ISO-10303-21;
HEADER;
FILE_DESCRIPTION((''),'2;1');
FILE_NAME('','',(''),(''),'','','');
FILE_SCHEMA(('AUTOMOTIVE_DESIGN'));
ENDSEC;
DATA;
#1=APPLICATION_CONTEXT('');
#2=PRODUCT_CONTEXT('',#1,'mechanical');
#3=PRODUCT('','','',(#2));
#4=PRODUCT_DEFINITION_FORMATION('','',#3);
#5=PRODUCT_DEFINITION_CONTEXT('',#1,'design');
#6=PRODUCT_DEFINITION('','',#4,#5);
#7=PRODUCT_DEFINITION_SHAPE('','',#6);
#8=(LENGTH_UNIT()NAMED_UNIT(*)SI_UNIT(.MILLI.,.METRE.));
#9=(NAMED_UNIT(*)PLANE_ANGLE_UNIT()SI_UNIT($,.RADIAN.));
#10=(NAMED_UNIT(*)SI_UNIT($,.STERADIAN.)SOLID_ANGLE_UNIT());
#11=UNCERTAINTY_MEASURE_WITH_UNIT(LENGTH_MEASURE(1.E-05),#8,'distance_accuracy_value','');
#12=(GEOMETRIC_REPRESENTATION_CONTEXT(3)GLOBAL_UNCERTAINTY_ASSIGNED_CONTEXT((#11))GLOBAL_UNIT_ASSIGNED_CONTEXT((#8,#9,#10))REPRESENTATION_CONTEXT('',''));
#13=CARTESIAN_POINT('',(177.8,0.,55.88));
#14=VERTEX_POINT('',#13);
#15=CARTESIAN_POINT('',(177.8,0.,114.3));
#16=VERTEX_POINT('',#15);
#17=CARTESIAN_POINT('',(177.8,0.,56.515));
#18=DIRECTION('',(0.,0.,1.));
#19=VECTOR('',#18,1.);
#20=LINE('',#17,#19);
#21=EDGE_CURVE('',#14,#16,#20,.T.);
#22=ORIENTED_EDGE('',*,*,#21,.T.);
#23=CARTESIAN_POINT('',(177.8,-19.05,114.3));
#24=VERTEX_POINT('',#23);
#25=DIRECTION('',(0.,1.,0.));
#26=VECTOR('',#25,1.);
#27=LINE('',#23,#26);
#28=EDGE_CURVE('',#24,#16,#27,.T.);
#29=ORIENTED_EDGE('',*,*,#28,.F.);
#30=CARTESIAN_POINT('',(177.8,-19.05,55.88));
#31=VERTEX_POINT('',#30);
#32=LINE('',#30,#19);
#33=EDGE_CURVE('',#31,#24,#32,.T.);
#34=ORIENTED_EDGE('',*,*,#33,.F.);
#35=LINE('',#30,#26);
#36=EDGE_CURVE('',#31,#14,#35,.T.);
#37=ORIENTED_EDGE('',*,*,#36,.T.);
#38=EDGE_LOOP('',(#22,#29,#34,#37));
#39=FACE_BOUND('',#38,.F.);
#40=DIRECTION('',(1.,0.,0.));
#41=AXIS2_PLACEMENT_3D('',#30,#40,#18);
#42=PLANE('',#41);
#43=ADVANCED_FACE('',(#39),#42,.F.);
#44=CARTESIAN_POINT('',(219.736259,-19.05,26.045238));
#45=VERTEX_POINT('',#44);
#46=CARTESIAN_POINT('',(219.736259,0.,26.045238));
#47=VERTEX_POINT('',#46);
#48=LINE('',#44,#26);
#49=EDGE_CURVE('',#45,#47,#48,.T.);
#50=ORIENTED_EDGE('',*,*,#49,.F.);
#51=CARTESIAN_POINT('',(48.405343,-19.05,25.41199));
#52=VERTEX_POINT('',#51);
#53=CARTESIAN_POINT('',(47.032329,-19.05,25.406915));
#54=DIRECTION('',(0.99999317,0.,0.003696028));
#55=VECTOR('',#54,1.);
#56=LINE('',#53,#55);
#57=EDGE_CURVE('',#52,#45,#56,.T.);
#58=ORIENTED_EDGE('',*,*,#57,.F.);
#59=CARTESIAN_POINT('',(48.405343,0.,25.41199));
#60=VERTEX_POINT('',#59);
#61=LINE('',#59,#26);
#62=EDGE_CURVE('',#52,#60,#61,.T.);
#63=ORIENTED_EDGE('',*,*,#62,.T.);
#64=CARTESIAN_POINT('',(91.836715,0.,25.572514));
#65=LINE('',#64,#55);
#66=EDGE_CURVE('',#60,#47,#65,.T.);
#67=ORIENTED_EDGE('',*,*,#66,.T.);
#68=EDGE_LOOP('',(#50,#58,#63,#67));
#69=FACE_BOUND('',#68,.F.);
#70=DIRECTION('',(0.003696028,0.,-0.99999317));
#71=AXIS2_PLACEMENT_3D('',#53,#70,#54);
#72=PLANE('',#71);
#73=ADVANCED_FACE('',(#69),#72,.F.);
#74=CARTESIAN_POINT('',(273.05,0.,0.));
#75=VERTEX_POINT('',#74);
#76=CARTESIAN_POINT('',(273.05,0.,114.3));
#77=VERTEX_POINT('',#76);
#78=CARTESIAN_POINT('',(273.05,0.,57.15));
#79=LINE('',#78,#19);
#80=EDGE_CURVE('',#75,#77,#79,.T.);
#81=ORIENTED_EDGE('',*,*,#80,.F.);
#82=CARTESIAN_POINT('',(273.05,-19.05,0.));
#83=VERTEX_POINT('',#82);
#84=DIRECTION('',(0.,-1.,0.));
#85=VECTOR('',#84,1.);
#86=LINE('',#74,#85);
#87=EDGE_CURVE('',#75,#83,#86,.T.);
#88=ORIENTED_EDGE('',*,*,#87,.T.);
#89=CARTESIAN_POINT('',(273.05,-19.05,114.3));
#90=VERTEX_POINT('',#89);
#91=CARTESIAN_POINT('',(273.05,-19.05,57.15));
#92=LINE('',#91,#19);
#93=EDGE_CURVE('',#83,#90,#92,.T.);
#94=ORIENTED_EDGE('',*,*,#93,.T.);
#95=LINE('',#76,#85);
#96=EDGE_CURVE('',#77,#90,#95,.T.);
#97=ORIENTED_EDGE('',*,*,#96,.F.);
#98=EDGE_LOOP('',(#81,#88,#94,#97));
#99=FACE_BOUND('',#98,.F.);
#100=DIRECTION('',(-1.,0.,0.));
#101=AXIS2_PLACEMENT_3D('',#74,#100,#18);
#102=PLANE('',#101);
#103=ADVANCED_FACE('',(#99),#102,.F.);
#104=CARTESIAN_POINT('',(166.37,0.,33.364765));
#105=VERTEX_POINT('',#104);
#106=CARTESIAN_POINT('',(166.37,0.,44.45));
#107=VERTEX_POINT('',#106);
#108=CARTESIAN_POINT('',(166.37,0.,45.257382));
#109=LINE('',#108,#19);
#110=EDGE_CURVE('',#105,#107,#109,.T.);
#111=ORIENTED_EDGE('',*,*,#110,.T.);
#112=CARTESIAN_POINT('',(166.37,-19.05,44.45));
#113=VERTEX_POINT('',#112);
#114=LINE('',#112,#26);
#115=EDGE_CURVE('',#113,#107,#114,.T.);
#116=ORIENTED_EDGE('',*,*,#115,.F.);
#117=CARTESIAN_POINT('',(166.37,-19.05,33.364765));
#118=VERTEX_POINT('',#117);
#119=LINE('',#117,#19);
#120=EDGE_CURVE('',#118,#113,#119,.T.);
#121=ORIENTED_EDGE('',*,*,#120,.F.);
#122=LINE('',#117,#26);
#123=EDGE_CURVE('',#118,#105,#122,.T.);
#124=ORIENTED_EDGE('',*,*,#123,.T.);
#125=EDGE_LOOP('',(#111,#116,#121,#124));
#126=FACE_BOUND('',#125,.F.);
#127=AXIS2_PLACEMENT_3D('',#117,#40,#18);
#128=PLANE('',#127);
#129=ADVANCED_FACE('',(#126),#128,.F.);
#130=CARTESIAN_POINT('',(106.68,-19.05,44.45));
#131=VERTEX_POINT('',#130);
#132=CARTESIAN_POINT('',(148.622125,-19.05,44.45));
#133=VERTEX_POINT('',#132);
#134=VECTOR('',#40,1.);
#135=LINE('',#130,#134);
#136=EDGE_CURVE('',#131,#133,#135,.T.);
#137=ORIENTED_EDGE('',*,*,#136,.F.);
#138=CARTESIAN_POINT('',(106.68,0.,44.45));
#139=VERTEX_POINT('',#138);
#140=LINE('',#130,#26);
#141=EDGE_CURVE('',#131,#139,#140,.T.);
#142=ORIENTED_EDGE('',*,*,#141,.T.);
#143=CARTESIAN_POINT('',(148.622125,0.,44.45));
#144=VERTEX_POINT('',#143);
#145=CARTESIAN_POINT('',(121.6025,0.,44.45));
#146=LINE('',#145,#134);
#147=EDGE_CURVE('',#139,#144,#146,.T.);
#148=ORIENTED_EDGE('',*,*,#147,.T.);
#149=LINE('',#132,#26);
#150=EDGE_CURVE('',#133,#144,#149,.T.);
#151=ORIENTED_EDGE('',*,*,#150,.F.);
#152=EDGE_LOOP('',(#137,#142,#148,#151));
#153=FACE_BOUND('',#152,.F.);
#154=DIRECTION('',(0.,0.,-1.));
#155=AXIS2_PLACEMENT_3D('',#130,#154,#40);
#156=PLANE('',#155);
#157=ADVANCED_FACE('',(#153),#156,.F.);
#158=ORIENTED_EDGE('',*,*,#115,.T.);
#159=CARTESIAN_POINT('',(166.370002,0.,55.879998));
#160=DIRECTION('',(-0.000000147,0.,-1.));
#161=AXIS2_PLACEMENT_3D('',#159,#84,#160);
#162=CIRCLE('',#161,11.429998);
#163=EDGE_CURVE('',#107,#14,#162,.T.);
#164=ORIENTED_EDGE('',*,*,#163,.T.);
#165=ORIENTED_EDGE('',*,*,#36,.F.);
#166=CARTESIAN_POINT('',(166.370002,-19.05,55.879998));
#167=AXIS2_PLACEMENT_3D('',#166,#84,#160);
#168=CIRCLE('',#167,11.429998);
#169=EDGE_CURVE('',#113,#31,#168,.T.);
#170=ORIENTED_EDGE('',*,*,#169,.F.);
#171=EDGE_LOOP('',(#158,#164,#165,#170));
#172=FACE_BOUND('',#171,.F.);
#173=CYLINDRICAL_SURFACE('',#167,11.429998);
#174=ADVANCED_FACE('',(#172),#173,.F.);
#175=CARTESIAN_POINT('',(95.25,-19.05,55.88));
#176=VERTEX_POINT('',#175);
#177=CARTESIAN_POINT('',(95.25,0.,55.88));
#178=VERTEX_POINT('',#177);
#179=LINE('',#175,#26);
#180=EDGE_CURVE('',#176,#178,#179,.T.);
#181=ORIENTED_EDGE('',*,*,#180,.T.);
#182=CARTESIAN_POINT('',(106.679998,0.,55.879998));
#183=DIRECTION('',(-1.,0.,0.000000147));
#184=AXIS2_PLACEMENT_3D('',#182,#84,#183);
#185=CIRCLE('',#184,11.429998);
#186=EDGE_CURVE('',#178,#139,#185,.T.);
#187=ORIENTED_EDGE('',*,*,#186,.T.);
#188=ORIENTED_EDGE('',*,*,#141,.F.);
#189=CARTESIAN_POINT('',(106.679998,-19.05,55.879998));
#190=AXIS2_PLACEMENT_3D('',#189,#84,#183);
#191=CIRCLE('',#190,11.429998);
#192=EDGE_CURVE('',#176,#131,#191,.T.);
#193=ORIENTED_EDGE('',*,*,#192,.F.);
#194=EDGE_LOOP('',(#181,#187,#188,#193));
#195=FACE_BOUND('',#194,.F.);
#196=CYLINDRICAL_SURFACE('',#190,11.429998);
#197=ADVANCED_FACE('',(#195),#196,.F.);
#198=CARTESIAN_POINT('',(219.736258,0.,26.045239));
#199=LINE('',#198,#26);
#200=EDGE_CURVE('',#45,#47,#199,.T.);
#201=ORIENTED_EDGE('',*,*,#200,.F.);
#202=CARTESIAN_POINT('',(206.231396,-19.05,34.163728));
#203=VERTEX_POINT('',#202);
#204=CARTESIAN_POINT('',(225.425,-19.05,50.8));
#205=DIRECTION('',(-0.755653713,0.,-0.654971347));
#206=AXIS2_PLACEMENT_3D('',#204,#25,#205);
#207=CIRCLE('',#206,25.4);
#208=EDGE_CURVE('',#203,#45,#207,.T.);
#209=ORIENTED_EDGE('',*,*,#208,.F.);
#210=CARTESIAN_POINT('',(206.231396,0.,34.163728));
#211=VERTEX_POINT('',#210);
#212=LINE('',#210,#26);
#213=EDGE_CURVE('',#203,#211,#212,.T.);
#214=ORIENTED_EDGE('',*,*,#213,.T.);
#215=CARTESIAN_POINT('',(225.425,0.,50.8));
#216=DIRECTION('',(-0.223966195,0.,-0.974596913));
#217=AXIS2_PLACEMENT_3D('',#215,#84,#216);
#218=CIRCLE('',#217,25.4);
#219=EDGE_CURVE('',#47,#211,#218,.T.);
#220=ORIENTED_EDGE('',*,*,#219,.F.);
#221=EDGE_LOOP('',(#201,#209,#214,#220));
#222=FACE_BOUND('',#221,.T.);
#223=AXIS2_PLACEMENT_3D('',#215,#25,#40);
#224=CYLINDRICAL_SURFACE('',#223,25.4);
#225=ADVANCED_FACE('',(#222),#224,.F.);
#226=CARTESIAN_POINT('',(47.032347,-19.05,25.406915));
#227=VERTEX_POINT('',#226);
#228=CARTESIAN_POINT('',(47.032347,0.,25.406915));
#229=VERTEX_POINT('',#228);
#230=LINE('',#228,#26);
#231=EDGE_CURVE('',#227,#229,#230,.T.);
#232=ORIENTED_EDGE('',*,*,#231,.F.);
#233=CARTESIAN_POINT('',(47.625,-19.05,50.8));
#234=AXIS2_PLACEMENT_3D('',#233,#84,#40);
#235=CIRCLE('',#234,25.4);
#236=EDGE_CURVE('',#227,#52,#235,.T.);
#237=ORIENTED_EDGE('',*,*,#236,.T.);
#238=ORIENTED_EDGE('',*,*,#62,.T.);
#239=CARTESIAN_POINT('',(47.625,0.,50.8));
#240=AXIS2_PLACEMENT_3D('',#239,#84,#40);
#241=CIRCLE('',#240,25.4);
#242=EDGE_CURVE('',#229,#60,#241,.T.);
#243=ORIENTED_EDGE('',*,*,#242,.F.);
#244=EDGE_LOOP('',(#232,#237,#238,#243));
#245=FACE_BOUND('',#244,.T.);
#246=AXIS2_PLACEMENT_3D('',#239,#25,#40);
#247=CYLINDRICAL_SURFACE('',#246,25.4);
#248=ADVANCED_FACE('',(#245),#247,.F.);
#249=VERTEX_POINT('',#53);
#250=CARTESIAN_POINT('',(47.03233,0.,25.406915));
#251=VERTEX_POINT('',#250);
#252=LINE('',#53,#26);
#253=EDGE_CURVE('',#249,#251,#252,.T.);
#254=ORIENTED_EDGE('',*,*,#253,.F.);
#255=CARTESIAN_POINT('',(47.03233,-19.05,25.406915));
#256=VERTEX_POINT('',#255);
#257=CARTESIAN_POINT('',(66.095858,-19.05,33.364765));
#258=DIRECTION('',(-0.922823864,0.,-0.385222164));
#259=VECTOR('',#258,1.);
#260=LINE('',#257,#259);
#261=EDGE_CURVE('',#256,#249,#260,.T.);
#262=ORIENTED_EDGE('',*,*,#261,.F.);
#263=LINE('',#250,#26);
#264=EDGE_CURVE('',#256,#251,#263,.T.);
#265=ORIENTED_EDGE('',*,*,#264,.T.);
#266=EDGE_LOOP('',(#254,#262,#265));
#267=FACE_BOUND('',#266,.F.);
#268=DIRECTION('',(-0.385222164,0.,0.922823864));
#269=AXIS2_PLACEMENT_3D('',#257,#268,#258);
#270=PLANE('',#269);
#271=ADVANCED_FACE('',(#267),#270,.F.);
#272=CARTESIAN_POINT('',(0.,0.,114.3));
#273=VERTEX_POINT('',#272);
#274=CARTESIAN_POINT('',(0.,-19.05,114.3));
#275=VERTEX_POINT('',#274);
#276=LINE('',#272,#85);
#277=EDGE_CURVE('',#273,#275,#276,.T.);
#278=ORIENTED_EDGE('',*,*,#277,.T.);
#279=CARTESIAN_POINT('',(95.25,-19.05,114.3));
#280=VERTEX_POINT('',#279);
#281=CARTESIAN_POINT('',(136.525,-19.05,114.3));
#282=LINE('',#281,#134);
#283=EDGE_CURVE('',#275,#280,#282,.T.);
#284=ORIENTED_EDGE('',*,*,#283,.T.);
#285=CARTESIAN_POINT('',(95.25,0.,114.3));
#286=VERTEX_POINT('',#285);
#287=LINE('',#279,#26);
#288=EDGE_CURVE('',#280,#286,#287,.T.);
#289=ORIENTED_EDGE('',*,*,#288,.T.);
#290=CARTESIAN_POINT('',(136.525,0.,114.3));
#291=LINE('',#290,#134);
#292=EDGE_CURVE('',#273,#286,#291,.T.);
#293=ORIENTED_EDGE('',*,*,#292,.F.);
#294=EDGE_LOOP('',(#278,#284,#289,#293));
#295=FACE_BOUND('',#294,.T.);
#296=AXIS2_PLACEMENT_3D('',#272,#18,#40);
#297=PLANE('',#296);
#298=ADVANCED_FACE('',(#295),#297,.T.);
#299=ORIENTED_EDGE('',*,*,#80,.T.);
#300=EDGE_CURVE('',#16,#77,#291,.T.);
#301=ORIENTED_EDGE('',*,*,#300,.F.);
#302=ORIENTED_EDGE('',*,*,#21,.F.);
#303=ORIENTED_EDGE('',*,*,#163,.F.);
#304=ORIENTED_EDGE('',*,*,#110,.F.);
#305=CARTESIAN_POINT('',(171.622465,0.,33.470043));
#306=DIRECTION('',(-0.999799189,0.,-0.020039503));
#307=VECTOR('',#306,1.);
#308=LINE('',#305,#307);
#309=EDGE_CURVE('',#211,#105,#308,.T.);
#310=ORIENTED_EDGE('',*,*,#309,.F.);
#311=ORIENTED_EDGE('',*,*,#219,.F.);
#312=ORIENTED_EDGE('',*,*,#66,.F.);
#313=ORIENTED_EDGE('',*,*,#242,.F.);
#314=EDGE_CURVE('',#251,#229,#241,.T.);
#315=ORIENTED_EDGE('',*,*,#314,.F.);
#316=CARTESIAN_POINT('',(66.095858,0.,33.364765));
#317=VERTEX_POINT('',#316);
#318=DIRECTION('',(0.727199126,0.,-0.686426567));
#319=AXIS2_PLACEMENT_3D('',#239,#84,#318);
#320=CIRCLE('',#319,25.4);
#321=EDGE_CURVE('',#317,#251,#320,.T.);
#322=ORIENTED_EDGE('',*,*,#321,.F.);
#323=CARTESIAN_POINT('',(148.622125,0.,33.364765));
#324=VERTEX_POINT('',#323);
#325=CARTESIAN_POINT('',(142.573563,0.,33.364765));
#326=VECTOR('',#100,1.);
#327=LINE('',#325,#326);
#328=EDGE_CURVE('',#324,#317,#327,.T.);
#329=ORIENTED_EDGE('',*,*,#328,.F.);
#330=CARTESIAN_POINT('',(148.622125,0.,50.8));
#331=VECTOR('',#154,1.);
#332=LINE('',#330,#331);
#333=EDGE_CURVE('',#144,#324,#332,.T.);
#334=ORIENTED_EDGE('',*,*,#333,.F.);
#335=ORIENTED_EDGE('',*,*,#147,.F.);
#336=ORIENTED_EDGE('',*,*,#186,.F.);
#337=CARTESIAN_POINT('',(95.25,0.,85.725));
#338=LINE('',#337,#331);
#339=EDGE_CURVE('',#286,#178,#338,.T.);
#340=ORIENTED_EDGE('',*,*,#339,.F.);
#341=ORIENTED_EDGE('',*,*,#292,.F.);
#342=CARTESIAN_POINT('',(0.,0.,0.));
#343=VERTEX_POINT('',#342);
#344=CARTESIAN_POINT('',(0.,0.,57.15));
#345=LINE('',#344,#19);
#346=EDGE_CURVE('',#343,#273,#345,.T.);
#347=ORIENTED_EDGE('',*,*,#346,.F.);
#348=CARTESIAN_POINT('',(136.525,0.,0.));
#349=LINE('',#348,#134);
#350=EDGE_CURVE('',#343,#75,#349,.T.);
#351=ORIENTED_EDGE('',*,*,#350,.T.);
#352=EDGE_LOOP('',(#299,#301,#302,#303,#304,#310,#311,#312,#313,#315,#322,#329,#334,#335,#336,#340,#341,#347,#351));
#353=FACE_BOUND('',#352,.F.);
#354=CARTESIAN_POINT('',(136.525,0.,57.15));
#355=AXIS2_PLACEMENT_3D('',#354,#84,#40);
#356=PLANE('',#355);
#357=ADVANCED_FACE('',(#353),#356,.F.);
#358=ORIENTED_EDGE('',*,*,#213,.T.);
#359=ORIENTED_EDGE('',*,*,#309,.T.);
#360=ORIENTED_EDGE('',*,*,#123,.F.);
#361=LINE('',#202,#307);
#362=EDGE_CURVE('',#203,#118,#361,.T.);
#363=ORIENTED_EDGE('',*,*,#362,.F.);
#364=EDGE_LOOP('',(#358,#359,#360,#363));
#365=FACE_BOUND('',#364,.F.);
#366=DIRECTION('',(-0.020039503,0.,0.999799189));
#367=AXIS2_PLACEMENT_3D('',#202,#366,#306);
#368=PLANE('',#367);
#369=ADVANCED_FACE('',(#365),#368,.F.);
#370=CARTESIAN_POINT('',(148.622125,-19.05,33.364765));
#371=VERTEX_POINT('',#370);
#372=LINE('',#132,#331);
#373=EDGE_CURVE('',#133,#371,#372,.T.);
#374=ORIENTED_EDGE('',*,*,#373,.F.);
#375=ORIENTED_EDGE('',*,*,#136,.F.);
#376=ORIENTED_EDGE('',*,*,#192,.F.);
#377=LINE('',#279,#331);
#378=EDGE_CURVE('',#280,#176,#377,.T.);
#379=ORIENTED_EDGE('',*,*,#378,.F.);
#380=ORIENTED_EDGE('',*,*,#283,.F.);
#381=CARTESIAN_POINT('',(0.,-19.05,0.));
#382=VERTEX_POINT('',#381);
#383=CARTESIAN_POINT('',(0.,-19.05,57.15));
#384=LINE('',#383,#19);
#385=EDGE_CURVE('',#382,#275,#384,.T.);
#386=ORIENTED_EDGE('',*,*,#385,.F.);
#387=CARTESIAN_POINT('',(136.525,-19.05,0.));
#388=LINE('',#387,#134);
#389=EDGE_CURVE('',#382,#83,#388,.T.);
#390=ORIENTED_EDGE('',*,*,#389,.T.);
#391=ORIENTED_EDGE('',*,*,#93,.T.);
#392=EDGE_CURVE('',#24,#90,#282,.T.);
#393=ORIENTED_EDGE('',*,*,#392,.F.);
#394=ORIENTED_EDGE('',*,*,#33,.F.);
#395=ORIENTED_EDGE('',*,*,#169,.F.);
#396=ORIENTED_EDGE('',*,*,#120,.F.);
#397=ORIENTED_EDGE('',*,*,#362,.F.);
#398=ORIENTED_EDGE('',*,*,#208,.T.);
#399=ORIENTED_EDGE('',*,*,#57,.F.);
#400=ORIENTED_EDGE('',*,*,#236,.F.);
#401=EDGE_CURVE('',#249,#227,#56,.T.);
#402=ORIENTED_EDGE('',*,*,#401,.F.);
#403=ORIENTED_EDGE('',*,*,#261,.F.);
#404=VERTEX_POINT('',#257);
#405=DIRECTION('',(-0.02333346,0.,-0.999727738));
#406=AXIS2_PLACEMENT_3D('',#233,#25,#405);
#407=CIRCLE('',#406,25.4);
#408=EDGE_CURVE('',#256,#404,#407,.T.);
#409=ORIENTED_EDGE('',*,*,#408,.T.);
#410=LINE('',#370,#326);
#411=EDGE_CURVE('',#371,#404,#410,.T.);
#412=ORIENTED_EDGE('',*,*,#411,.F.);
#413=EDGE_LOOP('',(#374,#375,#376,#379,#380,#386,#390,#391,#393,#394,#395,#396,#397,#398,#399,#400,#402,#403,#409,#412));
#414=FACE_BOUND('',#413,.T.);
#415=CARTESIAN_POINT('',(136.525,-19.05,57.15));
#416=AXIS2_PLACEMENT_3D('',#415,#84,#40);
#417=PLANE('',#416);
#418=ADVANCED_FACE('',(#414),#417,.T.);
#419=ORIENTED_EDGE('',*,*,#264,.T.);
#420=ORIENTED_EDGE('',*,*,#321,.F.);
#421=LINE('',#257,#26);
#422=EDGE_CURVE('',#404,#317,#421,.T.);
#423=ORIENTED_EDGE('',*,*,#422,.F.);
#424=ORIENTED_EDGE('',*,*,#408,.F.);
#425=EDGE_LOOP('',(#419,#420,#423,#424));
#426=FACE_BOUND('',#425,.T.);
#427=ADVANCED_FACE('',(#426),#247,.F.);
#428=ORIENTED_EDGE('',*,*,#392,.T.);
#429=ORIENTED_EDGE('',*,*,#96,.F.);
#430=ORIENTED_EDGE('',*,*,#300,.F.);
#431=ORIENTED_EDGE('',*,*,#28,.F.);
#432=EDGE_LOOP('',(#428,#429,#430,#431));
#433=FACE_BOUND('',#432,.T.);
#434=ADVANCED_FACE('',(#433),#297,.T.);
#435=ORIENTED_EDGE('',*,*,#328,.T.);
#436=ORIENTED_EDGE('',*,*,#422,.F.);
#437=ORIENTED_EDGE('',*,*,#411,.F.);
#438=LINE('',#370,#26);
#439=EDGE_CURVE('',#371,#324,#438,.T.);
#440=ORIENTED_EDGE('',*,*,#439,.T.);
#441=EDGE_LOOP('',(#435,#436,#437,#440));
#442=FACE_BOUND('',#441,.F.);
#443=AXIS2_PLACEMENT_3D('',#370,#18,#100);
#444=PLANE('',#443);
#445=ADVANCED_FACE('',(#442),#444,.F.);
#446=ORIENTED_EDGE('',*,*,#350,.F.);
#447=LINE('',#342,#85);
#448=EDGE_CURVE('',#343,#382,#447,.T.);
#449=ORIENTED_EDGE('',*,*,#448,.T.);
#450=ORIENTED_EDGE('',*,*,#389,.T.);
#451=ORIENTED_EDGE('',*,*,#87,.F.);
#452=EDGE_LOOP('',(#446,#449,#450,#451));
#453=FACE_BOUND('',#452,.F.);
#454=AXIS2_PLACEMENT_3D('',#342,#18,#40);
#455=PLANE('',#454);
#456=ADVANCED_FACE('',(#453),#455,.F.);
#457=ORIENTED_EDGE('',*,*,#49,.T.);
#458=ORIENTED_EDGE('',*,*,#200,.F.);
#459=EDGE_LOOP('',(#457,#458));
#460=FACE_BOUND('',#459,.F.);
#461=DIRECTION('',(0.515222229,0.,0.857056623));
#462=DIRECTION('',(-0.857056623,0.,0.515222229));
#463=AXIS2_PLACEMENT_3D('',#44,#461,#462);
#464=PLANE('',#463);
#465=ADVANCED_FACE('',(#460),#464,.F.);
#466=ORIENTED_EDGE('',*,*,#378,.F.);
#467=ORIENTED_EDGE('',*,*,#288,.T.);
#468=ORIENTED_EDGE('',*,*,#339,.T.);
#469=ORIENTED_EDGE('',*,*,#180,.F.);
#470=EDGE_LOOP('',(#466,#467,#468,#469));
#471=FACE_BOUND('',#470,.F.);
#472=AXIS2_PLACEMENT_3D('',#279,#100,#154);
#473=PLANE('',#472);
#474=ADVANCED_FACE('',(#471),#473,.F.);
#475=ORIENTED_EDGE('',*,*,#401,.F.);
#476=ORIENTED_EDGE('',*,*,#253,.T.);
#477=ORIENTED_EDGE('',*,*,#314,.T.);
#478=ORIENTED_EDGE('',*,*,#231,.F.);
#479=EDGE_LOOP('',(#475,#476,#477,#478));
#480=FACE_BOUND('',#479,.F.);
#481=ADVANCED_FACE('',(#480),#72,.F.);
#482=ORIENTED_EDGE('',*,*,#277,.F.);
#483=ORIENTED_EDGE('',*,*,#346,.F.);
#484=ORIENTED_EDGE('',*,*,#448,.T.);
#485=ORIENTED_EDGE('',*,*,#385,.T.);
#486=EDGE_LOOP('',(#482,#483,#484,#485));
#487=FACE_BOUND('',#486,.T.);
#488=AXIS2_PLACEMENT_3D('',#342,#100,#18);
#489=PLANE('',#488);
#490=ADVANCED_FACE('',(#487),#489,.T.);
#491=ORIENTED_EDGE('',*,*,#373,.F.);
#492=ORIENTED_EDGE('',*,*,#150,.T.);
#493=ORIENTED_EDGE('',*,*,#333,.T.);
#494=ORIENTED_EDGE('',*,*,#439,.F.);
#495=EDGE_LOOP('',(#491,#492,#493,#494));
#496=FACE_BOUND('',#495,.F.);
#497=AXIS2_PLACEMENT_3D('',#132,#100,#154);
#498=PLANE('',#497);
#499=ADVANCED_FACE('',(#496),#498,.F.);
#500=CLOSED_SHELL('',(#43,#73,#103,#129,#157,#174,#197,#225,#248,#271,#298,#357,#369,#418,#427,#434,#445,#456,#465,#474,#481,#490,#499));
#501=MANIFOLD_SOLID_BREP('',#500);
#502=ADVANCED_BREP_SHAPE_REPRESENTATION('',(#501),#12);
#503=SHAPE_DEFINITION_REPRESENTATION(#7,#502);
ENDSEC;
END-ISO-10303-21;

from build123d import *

# Parameters (mm, degrees)
F0_W     = 273.05
F0_H     = 114.3
F0_R     = 25.4
F1_DEPTH = 19.05
F3_DEPTH = 25.4
F5_DEPTH = 25.4


with BuildPart() as f1:
    # F0 (on Front) → F1 (new body)
    with BuildSketch(Plane.XZ):
        with Locations((136.525, 57.15)):
            Rectangle(F0_W, F0_H)
        with Locations((47.625, 50.8)):
            Circle(F0_R, mode=Mode.SUBTRACT)
        with Locations((225.425, 50.8)):
            Circle(F0_R, mode=Mode.SUBTRACT)
    extrude(amount=F1_DEPTH)

    # F2 (on face) → F3 (cut)
    with BuildSketch(Plane.XZ.offset(19.05)):
        with BuildLine():
            Line((177.8, 114.3), (95.25, 114.3))
            Line((95.25, 114.3), (95.25, 55.88))
            ThreePointArc((95.25, 55.88), (98.597769, 47.797769), (106.68, 44.45))
            Line((106.68, 44.45), (166.37, 44.45))
            ThreePointArc((166.37, 44.45), (174.452231, 47.797769), (177.8, 55.88))
            Line((177.8, 55.88), (177.8, 114.3))
        make_face()
    extrude(amount=-F3_DEPTH, mode=Mode.SUBTRACT)

    # F4 (on face) → F5 (cut)
    with BuildSketch(Plane.XZ.offset(19.05)):
        Polygon((166.37, 33.364765), (166.37, 44.45), (148.622125, 44.45), (148.622125, 33.364765), (66.095858, 33.364765), (47.032329, 25.406915), (219.736259, 26.045238), (206.231396, 34.163728), align=None)
    extrude(amount=-F5_DEPTH, mode=Mode.SUBTRACT)


solid = f1.part
